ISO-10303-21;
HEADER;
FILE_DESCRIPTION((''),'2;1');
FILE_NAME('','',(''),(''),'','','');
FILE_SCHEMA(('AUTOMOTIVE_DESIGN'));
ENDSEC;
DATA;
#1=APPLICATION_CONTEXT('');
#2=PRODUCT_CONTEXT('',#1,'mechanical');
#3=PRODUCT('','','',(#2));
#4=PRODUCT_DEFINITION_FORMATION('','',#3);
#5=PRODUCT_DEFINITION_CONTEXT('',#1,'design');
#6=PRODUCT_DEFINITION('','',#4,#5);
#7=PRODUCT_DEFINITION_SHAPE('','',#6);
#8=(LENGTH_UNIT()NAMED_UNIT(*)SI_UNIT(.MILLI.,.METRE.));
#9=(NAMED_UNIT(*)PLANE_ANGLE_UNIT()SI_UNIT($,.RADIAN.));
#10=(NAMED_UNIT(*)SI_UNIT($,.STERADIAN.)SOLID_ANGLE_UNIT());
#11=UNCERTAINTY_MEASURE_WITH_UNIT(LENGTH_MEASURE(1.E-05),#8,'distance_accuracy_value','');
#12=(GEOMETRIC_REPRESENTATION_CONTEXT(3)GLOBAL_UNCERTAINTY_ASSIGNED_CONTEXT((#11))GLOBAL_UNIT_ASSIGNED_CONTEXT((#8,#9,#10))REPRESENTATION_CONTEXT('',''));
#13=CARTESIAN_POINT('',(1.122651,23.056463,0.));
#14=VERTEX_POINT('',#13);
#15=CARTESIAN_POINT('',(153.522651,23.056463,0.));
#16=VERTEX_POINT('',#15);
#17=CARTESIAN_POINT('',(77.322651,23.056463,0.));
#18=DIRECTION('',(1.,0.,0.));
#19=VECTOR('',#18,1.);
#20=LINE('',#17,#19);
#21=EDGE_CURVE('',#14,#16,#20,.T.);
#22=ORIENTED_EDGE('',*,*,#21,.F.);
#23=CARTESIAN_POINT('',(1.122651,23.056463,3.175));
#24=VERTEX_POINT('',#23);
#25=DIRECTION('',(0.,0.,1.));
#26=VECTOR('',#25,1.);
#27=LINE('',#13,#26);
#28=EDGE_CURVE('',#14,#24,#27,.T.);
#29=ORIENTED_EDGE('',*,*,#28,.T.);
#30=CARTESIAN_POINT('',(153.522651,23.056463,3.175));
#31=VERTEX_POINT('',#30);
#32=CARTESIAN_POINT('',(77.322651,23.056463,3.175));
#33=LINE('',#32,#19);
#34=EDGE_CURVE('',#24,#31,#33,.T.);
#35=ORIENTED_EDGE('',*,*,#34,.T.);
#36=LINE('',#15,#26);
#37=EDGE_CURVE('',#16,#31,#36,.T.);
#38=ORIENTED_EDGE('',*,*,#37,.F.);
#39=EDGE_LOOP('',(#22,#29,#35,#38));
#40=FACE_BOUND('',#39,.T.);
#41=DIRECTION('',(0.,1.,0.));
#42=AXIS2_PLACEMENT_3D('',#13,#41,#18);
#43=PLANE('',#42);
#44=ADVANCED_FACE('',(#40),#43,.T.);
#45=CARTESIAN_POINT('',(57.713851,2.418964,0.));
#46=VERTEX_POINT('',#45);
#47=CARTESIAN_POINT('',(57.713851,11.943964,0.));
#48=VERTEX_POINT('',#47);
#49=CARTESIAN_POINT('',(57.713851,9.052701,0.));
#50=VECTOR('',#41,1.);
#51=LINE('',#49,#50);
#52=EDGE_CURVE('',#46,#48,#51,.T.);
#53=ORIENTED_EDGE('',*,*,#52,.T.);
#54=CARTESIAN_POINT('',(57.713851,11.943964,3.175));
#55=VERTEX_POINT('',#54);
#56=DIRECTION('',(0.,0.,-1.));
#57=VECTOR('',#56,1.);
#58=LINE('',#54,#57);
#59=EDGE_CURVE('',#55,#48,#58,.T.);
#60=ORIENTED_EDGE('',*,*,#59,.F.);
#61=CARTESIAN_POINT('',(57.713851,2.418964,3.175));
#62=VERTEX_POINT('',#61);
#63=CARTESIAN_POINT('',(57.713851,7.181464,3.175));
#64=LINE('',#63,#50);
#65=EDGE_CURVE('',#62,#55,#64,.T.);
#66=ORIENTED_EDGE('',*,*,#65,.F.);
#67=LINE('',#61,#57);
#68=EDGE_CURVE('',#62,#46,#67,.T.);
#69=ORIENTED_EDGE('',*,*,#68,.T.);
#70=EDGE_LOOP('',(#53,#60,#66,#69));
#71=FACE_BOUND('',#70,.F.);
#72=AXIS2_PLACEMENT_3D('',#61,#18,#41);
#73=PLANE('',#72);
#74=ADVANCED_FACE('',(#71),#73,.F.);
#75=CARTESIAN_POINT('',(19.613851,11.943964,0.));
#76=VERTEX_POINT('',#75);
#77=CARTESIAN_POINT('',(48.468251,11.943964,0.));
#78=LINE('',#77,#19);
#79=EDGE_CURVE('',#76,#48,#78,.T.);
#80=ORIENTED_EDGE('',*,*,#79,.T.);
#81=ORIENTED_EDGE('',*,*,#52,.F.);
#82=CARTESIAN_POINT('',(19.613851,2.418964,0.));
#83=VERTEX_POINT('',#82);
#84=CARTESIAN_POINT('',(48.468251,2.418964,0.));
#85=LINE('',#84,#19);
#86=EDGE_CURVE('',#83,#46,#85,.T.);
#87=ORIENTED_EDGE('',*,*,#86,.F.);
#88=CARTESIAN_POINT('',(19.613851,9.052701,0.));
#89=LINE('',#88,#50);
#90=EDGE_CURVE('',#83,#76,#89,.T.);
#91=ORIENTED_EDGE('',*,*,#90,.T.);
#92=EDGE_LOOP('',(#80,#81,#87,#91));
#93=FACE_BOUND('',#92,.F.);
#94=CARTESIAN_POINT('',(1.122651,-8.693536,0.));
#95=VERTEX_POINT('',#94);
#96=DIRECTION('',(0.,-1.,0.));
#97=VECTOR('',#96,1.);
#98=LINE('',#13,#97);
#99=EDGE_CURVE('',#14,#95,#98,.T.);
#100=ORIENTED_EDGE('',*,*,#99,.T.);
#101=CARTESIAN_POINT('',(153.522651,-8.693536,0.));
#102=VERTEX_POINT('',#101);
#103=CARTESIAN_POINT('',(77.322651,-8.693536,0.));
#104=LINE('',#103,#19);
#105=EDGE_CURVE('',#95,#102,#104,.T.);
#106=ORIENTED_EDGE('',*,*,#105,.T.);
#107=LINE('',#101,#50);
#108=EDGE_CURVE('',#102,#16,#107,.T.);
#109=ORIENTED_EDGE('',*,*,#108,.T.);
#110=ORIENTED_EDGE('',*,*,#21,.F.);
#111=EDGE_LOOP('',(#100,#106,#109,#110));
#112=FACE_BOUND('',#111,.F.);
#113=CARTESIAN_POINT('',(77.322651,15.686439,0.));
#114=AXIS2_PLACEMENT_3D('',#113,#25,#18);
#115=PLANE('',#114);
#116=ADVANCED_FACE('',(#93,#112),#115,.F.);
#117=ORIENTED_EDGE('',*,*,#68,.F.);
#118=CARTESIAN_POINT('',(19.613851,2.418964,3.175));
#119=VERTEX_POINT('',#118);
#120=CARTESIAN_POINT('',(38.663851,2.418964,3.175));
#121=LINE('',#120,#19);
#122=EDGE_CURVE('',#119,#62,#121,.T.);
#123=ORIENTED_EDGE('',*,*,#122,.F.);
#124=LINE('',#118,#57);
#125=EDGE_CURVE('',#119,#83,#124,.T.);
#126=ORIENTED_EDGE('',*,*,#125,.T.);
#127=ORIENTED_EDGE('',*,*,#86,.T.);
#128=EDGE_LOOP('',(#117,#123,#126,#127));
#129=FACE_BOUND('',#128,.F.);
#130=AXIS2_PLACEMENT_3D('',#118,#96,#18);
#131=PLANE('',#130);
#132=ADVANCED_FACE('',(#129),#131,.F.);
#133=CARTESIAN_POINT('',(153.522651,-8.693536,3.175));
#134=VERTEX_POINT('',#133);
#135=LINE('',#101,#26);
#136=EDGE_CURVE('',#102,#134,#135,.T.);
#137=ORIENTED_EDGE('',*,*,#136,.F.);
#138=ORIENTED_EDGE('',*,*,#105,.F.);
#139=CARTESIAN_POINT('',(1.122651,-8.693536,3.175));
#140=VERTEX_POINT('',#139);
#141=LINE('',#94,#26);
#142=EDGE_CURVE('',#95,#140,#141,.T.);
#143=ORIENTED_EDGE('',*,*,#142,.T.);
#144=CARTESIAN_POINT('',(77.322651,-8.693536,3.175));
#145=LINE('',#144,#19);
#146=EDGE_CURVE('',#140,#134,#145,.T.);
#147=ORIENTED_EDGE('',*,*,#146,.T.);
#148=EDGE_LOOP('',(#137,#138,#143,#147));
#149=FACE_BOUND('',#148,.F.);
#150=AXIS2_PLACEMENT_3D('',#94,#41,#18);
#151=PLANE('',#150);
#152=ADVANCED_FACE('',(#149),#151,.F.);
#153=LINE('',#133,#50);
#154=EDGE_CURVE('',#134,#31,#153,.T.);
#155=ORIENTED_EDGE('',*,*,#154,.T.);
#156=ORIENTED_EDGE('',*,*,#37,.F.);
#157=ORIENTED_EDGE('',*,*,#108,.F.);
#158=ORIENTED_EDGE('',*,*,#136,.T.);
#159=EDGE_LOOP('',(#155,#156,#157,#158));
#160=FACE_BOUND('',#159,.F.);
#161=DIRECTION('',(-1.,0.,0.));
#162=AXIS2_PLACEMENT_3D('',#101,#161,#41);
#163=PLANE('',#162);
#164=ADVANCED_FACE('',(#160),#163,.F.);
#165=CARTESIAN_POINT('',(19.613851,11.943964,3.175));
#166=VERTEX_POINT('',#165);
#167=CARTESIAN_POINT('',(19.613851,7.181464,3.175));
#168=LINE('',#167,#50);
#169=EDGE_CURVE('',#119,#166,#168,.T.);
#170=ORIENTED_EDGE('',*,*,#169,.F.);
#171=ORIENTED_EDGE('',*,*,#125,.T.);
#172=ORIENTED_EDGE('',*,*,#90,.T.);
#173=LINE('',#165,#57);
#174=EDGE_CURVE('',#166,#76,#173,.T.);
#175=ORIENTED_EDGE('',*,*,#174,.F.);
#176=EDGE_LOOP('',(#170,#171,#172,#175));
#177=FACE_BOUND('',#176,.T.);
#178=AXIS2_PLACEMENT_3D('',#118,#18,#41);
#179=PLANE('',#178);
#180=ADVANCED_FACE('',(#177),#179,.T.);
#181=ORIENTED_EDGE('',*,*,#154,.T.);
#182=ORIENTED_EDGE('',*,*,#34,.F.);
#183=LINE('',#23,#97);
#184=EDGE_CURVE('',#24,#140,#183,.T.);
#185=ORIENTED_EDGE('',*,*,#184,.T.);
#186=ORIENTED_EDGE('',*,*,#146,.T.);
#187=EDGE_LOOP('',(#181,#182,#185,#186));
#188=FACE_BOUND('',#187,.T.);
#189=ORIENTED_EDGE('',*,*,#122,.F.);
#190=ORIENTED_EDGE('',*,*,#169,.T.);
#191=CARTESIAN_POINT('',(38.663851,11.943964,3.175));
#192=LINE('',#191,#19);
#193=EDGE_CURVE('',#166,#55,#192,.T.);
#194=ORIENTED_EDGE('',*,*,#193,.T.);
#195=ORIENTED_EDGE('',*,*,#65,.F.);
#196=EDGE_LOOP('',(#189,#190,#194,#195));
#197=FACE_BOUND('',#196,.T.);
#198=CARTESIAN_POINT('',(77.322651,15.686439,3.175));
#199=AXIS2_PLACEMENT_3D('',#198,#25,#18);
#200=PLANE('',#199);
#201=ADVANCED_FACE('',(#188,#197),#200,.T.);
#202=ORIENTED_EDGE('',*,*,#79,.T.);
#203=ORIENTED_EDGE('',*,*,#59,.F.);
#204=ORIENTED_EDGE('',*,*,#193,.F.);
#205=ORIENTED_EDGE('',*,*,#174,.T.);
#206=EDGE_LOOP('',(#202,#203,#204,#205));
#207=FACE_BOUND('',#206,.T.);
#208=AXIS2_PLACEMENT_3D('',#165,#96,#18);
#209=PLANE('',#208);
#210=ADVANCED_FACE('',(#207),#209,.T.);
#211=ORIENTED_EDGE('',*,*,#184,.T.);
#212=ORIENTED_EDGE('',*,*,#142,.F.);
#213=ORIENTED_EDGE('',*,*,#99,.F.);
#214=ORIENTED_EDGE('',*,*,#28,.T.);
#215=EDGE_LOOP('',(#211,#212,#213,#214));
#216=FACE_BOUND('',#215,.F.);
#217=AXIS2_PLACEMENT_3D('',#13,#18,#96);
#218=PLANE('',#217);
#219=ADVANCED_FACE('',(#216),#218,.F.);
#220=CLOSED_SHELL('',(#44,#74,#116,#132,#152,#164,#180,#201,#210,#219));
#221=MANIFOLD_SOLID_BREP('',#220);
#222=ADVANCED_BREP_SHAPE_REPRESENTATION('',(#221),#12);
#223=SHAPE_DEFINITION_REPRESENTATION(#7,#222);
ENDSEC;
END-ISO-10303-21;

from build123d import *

# Parameters (mm, degrees)
F0_W     = 152.4
F0_H     = 14.740049
F0_H_2   = 8.316415
F0_H_3   = 8.693536
F1_DEPTH = 3.175
F2_DEPTH = 55.118
F3_W     = 38.1
F3_H     = 9.525
F4_DEPTH = 25.4


with BuildPart() as f1:
    # F0 (on Top) → F1 (new body)
    with BuildSketch(Plane.XY):
        with Locations((77.322651, 15.686439)):
            Rectangle(F0_W, F0_H)
        with Locations((77.322651, 4.158207)):
            Rectangle(F0_W, F0_H_2)
        with Locations((77.322651, -4.346768)):
            Rectangle(F0_W, F0_H_3)
    extrude(amount=F1_DEPTH)

    # F0 (on Top) → F2 (cut)
    with BuildSketch(Plane.XY):
        with Locations((77.322651, 4.158207)):
            Rectangle(F0_W, F0_H_2)
    extrude(amount=-F2_DEPTH, mode=Mode.SUBTRACT)

    # F3 (on face) → F4 (cut)
    with BuildSketch(Plane.XY.offset(3.175)):
        with Locations((38.663851, 7.181464)):
            Rectangle(F3_W, F3_H)
    extrude(amount=-F4_DEPTH, mode=Mode.SUBTRACT)


solid = f1.part
